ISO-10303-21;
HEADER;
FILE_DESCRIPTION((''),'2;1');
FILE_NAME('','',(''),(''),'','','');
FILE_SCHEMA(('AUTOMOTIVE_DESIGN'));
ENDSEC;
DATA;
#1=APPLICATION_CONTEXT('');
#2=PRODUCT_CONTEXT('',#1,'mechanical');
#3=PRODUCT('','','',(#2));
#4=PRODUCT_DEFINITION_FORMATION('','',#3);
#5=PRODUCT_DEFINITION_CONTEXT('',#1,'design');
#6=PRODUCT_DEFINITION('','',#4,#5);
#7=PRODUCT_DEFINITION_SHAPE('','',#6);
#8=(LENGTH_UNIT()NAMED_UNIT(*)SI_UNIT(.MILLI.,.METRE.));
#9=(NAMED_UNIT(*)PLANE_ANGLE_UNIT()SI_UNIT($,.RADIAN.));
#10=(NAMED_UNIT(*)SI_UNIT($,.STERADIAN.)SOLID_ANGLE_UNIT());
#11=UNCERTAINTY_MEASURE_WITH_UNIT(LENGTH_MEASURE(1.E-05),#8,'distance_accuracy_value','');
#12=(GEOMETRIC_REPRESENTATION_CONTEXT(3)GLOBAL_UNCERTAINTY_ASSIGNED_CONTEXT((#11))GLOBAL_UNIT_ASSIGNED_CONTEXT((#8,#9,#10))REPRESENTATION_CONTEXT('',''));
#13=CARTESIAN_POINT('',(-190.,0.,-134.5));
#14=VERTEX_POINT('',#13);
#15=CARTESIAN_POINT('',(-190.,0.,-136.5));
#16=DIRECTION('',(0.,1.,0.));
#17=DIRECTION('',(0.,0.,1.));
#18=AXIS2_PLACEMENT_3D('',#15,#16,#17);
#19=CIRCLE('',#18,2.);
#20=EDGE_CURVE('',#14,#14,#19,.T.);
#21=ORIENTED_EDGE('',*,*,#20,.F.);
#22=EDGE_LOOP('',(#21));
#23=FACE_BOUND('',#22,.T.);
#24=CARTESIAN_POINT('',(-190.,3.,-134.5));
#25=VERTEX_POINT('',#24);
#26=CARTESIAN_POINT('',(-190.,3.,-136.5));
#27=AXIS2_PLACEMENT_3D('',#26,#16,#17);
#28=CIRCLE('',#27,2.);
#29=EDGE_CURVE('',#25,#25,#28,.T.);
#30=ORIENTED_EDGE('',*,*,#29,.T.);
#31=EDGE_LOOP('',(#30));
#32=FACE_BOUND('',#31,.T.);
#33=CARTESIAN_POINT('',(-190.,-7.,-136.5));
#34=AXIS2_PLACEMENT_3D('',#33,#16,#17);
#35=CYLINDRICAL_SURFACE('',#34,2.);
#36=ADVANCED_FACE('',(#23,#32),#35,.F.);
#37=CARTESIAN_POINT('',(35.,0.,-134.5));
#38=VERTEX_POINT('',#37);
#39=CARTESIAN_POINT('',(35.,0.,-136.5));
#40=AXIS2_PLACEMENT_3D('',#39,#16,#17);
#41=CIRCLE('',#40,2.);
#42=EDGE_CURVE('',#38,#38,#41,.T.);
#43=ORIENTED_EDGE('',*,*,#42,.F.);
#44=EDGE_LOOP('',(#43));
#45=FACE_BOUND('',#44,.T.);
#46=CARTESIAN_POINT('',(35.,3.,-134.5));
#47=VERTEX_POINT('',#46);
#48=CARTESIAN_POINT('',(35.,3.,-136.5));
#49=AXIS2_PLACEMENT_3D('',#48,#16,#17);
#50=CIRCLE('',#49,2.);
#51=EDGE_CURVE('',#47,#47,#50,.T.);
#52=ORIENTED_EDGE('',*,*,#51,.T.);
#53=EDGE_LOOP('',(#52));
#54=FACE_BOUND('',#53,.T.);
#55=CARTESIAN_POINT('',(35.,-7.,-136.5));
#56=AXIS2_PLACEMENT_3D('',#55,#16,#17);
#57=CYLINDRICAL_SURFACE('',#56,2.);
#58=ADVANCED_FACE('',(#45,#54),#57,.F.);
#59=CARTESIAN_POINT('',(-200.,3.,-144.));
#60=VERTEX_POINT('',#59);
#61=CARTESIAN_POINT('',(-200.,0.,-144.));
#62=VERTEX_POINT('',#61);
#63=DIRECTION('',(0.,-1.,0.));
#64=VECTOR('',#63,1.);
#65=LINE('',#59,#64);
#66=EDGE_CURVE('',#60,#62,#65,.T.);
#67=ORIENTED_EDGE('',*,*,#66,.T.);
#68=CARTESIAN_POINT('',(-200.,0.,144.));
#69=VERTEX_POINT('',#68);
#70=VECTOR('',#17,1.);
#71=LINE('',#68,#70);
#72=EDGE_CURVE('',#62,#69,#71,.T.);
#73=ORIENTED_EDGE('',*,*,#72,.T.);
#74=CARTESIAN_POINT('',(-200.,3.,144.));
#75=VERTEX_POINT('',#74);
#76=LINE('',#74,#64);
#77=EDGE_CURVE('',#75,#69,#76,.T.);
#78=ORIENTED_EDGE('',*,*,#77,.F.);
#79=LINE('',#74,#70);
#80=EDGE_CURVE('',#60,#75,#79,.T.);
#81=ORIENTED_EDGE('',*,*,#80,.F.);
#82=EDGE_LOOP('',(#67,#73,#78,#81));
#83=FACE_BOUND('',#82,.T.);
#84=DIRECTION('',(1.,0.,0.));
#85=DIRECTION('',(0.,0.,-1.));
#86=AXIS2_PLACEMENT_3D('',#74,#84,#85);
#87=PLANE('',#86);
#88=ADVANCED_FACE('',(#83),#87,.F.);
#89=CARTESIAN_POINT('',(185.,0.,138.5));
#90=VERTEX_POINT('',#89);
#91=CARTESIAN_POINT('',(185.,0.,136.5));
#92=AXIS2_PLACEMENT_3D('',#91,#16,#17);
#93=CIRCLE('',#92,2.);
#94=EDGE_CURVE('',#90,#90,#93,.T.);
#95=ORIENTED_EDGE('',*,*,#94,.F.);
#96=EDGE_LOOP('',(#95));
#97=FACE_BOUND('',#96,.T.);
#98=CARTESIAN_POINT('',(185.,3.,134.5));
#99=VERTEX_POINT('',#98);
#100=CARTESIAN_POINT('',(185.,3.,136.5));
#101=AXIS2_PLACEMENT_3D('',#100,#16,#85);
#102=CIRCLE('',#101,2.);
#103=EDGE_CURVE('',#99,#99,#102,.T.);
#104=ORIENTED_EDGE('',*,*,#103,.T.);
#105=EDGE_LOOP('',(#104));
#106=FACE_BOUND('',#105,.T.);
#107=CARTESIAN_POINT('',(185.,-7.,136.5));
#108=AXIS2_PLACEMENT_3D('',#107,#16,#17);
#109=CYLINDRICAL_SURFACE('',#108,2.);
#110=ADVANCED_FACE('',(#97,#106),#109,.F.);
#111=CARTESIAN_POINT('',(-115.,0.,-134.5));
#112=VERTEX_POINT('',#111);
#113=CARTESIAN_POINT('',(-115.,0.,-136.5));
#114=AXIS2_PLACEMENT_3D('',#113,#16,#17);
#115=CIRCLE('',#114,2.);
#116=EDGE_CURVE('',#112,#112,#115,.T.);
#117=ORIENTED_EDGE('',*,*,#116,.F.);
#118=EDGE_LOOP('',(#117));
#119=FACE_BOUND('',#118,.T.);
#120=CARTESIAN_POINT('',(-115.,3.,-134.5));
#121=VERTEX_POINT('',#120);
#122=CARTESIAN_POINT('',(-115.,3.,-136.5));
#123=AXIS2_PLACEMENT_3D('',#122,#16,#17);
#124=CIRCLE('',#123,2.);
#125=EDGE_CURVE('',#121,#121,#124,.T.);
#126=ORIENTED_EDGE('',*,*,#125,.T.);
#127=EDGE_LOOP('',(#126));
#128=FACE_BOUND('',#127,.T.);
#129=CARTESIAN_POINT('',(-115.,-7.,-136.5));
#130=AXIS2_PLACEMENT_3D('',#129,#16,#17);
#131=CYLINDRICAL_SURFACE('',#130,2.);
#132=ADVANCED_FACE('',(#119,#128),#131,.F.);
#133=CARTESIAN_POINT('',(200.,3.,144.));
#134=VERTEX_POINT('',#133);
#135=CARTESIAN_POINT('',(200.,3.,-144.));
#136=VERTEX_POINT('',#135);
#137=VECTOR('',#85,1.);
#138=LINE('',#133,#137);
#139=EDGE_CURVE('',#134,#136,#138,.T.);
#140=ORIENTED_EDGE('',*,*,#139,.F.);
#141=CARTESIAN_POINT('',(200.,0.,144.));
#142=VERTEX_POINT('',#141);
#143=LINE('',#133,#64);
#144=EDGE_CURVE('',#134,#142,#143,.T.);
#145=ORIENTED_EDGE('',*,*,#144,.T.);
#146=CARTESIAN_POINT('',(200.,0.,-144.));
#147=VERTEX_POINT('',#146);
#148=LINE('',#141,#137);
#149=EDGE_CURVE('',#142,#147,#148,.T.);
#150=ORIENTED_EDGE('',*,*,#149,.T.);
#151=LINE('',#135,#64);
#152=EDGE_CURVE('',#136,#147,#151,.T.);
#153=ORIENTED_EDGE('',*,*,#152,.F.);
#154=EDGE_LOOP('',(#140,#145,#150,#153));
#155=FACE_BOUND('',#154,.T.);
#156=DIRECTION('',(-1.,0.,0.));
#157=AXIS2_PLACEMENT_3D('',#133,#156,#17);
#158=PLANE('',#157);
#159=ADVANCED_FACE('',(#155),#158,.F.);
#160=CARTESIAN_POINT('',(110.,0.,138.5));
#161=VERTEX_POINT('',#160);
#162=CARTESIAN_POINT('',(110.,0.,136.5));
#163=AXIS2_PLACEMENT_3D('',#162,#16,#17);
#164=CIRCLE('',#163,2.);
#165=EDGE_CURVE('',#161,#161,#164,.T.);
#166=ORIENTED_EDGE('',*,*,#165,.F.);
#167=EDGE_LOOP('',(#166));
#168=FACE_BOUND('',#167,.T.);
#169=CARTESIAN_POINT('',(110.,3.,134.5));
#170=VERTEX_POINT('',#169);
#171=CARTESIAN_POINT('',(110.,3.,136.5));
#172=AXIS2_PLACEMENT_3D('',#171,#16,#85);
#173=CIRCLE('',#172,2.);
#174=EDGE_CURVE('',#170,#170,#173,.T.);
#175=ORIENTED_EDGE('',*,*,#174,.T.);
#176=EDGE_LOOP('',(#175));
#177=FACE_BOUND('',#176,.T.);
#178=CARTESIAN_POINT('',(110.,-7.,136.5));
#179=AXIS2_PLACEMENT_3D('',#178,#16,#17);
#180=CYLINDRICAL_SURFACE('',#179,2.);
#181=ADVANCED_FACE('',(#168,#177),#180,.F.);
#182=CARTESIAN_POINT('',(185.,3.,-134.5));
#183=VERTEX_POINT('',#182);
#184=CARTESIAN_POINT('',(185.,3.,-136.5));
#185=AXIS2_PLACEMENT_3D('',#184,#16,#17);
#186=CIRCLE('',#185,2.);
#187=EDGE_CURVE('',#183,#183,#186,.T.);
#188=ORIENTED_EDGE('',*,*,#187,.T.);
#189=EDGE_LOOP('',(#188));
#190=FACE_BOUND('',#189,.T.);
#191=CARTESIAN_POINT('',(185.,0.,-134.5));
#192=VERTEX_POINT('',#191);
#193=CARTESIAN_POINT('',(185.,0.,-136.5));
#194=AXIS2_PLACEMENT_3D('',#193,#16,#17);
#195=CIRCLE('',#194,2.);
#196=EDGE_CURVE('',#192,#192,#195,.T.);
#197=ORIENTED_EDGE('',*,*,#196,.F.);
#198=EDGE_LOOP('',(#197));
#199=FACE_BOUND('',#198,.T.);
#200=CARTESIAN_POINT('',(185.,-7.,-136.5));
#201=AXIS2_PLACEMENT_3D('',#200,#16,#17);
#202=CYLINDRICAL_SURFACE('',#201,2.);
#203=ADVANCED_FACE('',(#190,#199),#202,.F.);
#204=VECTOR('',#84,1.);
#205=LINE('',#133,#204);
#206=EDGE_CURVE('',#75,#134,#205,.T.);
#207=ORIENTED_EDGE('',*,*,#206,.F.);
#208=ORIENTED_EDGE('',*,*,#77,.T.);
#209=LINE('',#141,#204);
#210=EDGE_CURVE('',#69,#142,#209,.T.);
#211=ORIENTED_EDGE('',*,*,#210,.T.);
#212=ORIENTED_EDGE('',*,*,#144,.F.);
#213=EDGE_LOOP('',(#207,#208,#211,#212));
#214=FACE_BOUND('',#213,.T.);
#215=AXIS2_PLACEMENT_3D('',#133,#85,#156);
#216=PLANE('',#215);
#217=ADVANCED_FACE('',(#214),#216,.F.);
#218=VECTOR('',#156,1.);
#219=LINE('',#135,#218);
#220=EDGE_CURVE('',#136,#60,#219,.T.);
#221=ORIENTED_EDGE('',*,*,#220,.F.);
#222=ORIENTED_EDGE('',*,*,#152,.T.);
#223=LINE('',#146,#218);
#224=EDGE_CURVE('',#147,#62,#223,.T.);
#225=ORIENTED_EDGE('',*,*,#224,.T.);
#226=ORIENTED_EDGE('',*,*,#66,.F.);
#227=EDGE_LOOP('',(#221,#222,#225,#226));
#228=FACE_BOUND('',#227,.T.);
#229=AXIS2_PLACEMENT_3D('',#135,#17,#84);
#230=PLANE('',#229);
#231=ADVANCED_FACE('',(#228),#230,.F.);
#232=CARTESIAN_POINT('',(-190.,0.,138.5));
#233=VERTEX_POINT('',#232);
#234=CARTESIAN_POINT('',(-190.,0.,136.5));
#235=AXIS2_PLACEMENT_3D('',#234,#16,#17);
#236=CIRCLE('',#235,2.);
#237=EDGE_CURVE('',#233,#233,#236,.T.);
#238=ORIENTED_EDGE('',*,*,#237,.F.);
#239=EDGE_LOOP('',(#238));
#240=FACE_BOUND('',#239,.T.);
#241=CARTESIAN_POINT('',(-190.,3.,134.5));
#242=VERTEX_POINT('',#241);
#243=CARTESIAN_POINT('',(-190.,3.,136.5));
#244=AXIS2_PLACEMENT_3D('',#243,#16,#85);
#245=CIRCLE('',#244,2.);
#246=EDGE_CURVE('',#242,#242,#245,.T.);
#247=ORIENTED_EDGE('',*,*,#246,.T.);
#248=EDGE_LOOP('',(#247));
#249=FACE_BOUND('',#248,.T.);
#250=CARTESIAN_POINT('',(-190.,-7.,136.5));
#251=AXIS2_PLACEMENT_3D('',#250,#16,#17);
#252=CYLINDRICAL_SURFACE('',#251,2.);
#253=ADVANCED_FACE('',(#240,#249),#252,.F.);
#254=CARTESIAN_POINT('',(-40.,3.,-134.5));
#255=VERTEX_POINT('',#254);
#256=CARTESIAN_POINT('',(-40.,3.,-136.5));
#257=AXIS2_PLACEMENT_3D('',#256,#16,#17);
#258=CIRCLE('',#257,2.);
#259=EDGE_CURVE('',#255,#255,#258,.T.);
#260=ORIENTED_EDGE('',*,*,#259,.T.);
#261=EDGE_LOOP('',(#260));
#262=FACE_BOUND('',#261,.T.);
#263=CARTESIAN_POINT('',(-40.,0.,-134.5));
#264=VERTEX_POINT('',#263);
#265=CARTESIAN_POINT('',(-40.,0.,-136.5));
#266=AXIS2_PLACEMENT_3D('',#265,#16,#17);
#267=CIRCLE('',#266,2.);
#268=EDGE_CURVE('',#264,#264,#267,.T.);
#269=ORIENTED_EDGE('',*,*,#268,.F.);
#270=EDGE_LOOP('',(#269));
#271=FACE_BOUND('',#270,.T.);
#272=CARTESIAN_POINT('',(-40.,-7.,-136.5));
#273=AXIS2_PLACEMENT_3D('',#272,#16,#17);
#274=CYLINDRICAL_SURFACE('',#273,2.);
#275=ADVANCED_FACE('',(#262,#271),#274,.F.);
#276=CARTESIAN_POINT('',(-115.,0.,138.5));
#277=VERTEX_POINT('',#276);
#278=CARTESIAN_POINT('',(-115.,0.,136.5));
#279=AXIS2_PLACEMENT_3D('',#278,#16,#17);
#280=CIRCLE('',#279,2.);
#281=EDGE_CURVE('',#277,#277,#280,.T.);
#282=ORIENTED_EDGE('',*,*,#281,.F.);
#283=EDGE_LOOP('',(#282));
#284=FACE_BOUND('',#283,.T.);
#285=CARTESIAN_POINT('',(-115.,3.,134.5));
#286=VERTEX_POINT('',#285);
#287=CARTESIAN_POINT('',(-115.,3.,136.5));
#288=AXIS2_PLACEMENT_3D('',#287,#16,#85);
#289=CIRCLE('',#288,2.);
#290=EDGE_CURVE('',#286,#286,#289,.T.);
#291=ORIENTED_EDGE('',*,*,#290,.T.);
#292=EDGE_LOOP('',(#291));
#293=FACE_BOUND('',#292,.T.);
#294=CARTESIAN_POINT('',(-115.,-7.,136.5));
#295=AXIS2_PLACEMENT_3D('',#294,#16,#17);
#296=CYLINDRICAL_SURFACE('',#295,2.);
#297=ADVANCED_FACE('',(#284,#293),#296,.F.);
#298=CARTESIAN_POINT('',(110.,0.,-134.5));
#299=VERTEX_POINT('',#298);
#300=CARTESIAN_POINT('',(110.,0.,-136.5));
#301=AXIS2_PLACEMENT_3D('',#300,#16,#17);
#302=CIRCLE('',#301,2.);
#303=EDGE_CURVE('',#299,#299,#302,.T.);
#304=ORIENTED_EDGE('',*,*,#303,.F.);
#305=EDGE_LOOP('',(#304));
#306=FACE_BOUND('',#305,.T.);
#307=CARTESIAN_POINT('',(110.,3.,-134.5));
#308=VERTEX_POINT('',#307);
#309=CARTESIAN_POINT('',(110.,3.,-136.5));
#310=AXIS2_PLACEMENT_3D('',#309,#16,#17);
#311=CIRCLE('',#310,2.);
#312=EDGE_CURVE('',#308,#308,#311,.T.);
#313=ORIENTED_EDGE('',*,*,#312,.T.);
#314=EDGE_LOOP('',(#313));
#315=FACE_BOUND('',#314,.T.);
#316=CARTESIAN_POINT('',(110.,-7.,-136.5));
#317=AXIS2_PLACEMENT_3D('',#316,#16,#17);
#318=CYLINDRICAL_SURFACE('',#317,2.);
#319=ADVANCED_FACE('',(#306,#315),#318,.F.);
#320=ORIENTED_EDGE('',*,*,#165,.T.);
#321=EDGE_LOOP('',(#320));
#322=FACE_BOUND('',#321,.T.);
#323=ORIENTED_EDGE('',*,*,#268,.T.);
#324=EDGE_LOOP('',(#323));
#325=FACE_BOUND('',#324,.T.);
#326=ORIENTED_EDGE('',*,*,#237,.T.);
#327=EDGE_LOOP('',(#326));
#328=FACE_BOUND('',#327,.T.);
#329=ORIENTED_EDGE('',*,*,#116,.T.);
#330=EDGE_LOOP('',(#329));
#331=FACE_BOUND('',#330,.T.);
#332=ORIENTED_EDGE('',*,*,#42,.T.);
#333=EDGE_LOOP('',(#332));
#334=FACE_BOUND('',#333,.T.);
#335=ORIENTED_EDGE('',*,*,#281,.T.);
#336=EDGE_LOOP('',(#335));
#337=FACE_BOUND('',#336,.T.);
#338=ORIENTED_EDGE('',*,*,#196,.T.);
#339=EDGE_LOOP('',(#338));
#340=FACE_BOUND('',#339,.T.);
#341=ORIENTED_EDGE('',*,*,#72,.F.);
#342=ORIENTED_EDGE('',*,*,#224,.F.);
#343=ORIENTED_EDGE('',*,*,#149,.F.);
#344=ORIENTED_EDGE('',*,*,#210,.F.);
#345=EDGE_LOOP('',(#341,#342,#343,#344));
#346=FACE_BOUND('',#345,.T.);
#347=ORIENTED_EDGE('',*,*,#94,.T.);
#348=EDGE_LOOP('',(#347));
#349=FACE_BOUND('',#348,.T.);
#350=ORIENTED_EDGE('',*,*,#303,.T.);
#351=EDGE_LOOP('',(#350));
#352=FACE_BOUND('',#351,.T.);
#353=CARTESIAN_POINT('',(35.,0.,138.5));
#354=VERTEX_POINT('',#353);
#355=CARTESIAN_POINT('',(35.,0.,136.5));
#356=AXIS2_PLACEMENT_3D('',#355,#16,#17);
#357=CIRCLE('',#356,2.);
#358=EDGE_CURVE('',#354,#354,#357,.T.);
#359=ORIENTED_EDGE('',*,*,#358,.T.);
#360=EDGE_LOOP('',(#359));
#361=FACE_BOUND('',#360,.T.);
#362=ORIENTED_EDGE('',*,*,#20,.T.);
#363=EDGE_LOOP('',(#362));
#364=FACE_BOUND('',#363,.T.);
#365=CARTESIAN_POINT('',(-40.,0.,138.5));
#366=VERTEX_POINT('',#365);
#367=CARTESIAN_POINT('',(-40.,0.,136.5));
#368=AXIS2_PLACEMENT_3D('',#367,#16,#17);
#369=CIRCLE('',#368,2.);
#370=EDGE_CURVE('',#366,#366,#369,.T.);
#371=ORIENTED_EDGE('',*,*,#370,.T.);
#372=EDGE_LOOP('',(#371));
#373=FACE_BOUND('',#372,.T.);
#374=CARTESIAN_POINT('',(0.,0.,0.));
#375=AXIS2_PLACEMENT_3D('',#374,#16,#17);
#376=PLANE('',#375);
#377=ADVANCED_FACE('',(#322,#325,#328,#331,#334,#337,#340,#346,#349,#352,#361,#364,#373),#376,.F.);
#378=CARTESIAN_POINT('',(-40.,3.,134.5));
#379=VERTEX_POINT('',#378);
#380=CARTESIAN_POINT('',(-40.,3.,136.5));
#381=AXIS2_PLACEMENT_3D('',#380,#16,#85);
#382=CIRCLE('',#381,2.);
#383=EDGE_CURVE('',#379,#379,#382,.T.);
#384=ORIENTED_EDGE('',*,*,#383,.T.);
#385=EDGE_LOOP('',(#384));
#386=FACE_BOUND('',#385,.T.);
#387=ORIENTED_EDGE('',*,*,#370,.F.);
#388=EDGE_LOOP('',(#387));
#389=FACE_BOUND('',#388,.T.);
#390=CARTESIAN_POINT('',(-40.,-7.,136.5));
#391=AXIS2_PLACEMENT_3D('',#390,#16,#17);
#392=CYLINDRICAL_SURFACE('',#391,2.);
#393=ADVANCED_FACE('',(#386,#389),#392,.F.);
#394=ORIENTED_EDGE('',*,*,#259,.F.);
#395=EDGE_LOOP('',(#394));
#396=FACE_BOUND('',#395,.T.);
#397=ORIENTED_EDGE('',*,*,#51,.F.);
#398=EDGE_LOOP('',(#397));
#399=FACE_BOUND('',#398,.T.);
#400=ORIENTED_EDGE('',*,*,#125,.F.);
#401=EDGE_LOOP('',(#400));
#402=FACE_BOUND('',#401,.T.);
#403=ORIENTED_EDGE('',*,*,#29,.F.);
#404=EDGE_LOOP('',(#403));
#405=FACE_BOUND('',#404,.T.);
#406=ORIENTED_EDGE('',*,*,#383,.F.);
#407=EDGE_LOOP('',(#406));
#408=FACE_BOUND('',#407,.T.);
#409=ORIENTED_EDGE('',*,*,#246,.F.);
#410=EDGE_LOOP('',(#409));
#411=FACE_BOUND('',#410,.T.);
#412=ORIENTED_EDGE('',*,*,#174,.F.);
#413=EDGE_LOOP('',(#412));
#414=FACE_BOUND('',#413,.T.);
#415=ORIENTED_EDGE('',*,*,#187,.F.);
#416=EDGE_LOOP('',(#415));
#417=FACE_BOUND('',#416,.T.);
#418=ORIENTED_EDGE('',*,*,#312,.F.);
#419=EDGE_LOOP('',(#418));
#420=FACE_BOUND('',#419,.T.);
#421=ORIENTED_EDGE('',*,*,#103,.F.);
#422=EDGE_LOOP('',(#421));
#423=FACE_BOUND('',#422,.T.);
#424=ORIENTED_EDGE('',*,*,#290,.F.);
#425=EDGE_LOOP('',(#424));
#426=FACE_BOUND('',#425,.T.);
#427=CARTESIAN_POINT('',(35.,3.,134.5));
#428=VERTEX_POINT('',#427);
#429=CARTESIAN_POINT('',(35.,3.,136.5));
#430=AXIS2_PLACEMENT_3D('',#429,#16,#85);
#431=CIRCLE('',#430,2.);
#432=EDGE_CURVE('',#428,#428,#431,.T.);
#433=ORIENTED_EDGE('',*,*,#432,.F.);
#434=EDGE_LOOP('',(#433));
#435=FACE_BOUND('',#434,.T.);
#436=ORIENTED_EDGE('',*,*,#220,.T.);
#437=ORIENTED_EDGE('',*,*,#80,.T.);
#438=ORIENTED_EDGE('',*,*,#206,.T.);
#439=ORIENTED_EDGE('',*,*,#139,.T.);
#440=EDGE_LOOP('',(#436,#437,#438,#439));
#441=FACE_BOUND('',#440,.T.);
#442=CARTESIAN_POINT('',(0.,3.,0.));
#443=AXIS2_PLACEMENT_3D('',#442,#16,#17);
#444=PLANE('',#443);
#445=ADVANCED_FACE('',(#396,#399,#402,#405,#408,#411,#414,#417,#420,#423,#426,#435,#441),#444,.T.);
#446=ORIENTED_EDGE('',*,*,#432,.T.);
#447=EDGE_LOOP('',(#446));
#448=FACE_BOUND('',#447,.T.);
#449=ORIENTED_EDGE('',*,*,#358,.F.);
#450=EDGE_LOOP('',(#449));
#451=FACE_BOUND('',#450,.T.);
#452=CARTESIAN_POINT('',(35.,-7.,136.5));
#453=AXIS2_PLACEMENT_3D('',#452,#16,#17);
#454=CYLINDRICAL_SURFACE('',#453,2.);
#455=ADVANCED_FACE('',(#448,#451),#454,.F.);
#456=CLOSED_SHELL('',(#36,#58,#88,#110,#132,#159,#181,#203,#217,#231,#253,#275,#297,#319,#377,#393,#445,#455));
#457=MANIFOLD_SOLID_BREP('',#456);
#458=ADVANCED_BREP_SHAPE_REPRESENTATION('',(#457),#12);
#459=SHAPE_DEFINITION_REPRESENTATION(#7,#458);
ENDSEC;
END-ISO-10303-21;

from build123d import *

# Parameters (mm, degrees)
SKETCH1_W           = 400
SKETCH1_H           = 288
BOSS_EXTRUDE1_DEPTH = 3
SKETCH2_R           = 2
CUT_EXTRUDE1_DEPTH  = 10


with BuildPart() as part:
    # Sketch1 → Boss-Extrude1 (new body)
    with BuildSketch(Plane(origin=(0, 0, 0), x_dir=(1, 0, 0), z_dir=(0, 1, 0))):
        Rectangle(SKETCH1_W, SKETCH1_H)
    extrude(amount=BOSS_EXTRUDE1_DEPTH)

    # Sketch2 → Cut-Extrude1 (cut)
    with BuildSketch(Plane(origin=(0, 3, 0), x_dir=(1, 0, 0), z_dir=(0, 1, 0))):
        with Locations((-190, 136.5)):
            Circle(SKETCH2_R)
        with Locations((-115, 136.5)):
            Circle(SKETCH2_R)
        with Locations((-40, 136.5)):
            Circle(SKETCH2_R)
        with Locations((35, 136.5)):
            Circle(SKETCH2_R)
        with Locations((110, 136.5)):
            Circle(SKETCH2_R)
        with Locations((185, 136.5)):
            Circle(SKETCH2_R)
        with Locations((185, -136.5)):
            Circle(SKETCH2_R)
        with Locations((110, -136.5)):
            Circle(SKETCH2_R)
        with Locations((35, -136.5)):
            Circle(SKETCH2_R)
        with Locations((-40, -136.5)):
            Circle(SKETCH2_R)
        with Locations((-115, -136.5)):
            Circle(SKETCH2_R)
        with Locations((-190, -136.5)):
            Circle(SKETCH2_R)
    extrude(amount=-CUT_EXTRUDE1_DEPTH, mode=Mode.SUBTRACT)


solid = part.part
